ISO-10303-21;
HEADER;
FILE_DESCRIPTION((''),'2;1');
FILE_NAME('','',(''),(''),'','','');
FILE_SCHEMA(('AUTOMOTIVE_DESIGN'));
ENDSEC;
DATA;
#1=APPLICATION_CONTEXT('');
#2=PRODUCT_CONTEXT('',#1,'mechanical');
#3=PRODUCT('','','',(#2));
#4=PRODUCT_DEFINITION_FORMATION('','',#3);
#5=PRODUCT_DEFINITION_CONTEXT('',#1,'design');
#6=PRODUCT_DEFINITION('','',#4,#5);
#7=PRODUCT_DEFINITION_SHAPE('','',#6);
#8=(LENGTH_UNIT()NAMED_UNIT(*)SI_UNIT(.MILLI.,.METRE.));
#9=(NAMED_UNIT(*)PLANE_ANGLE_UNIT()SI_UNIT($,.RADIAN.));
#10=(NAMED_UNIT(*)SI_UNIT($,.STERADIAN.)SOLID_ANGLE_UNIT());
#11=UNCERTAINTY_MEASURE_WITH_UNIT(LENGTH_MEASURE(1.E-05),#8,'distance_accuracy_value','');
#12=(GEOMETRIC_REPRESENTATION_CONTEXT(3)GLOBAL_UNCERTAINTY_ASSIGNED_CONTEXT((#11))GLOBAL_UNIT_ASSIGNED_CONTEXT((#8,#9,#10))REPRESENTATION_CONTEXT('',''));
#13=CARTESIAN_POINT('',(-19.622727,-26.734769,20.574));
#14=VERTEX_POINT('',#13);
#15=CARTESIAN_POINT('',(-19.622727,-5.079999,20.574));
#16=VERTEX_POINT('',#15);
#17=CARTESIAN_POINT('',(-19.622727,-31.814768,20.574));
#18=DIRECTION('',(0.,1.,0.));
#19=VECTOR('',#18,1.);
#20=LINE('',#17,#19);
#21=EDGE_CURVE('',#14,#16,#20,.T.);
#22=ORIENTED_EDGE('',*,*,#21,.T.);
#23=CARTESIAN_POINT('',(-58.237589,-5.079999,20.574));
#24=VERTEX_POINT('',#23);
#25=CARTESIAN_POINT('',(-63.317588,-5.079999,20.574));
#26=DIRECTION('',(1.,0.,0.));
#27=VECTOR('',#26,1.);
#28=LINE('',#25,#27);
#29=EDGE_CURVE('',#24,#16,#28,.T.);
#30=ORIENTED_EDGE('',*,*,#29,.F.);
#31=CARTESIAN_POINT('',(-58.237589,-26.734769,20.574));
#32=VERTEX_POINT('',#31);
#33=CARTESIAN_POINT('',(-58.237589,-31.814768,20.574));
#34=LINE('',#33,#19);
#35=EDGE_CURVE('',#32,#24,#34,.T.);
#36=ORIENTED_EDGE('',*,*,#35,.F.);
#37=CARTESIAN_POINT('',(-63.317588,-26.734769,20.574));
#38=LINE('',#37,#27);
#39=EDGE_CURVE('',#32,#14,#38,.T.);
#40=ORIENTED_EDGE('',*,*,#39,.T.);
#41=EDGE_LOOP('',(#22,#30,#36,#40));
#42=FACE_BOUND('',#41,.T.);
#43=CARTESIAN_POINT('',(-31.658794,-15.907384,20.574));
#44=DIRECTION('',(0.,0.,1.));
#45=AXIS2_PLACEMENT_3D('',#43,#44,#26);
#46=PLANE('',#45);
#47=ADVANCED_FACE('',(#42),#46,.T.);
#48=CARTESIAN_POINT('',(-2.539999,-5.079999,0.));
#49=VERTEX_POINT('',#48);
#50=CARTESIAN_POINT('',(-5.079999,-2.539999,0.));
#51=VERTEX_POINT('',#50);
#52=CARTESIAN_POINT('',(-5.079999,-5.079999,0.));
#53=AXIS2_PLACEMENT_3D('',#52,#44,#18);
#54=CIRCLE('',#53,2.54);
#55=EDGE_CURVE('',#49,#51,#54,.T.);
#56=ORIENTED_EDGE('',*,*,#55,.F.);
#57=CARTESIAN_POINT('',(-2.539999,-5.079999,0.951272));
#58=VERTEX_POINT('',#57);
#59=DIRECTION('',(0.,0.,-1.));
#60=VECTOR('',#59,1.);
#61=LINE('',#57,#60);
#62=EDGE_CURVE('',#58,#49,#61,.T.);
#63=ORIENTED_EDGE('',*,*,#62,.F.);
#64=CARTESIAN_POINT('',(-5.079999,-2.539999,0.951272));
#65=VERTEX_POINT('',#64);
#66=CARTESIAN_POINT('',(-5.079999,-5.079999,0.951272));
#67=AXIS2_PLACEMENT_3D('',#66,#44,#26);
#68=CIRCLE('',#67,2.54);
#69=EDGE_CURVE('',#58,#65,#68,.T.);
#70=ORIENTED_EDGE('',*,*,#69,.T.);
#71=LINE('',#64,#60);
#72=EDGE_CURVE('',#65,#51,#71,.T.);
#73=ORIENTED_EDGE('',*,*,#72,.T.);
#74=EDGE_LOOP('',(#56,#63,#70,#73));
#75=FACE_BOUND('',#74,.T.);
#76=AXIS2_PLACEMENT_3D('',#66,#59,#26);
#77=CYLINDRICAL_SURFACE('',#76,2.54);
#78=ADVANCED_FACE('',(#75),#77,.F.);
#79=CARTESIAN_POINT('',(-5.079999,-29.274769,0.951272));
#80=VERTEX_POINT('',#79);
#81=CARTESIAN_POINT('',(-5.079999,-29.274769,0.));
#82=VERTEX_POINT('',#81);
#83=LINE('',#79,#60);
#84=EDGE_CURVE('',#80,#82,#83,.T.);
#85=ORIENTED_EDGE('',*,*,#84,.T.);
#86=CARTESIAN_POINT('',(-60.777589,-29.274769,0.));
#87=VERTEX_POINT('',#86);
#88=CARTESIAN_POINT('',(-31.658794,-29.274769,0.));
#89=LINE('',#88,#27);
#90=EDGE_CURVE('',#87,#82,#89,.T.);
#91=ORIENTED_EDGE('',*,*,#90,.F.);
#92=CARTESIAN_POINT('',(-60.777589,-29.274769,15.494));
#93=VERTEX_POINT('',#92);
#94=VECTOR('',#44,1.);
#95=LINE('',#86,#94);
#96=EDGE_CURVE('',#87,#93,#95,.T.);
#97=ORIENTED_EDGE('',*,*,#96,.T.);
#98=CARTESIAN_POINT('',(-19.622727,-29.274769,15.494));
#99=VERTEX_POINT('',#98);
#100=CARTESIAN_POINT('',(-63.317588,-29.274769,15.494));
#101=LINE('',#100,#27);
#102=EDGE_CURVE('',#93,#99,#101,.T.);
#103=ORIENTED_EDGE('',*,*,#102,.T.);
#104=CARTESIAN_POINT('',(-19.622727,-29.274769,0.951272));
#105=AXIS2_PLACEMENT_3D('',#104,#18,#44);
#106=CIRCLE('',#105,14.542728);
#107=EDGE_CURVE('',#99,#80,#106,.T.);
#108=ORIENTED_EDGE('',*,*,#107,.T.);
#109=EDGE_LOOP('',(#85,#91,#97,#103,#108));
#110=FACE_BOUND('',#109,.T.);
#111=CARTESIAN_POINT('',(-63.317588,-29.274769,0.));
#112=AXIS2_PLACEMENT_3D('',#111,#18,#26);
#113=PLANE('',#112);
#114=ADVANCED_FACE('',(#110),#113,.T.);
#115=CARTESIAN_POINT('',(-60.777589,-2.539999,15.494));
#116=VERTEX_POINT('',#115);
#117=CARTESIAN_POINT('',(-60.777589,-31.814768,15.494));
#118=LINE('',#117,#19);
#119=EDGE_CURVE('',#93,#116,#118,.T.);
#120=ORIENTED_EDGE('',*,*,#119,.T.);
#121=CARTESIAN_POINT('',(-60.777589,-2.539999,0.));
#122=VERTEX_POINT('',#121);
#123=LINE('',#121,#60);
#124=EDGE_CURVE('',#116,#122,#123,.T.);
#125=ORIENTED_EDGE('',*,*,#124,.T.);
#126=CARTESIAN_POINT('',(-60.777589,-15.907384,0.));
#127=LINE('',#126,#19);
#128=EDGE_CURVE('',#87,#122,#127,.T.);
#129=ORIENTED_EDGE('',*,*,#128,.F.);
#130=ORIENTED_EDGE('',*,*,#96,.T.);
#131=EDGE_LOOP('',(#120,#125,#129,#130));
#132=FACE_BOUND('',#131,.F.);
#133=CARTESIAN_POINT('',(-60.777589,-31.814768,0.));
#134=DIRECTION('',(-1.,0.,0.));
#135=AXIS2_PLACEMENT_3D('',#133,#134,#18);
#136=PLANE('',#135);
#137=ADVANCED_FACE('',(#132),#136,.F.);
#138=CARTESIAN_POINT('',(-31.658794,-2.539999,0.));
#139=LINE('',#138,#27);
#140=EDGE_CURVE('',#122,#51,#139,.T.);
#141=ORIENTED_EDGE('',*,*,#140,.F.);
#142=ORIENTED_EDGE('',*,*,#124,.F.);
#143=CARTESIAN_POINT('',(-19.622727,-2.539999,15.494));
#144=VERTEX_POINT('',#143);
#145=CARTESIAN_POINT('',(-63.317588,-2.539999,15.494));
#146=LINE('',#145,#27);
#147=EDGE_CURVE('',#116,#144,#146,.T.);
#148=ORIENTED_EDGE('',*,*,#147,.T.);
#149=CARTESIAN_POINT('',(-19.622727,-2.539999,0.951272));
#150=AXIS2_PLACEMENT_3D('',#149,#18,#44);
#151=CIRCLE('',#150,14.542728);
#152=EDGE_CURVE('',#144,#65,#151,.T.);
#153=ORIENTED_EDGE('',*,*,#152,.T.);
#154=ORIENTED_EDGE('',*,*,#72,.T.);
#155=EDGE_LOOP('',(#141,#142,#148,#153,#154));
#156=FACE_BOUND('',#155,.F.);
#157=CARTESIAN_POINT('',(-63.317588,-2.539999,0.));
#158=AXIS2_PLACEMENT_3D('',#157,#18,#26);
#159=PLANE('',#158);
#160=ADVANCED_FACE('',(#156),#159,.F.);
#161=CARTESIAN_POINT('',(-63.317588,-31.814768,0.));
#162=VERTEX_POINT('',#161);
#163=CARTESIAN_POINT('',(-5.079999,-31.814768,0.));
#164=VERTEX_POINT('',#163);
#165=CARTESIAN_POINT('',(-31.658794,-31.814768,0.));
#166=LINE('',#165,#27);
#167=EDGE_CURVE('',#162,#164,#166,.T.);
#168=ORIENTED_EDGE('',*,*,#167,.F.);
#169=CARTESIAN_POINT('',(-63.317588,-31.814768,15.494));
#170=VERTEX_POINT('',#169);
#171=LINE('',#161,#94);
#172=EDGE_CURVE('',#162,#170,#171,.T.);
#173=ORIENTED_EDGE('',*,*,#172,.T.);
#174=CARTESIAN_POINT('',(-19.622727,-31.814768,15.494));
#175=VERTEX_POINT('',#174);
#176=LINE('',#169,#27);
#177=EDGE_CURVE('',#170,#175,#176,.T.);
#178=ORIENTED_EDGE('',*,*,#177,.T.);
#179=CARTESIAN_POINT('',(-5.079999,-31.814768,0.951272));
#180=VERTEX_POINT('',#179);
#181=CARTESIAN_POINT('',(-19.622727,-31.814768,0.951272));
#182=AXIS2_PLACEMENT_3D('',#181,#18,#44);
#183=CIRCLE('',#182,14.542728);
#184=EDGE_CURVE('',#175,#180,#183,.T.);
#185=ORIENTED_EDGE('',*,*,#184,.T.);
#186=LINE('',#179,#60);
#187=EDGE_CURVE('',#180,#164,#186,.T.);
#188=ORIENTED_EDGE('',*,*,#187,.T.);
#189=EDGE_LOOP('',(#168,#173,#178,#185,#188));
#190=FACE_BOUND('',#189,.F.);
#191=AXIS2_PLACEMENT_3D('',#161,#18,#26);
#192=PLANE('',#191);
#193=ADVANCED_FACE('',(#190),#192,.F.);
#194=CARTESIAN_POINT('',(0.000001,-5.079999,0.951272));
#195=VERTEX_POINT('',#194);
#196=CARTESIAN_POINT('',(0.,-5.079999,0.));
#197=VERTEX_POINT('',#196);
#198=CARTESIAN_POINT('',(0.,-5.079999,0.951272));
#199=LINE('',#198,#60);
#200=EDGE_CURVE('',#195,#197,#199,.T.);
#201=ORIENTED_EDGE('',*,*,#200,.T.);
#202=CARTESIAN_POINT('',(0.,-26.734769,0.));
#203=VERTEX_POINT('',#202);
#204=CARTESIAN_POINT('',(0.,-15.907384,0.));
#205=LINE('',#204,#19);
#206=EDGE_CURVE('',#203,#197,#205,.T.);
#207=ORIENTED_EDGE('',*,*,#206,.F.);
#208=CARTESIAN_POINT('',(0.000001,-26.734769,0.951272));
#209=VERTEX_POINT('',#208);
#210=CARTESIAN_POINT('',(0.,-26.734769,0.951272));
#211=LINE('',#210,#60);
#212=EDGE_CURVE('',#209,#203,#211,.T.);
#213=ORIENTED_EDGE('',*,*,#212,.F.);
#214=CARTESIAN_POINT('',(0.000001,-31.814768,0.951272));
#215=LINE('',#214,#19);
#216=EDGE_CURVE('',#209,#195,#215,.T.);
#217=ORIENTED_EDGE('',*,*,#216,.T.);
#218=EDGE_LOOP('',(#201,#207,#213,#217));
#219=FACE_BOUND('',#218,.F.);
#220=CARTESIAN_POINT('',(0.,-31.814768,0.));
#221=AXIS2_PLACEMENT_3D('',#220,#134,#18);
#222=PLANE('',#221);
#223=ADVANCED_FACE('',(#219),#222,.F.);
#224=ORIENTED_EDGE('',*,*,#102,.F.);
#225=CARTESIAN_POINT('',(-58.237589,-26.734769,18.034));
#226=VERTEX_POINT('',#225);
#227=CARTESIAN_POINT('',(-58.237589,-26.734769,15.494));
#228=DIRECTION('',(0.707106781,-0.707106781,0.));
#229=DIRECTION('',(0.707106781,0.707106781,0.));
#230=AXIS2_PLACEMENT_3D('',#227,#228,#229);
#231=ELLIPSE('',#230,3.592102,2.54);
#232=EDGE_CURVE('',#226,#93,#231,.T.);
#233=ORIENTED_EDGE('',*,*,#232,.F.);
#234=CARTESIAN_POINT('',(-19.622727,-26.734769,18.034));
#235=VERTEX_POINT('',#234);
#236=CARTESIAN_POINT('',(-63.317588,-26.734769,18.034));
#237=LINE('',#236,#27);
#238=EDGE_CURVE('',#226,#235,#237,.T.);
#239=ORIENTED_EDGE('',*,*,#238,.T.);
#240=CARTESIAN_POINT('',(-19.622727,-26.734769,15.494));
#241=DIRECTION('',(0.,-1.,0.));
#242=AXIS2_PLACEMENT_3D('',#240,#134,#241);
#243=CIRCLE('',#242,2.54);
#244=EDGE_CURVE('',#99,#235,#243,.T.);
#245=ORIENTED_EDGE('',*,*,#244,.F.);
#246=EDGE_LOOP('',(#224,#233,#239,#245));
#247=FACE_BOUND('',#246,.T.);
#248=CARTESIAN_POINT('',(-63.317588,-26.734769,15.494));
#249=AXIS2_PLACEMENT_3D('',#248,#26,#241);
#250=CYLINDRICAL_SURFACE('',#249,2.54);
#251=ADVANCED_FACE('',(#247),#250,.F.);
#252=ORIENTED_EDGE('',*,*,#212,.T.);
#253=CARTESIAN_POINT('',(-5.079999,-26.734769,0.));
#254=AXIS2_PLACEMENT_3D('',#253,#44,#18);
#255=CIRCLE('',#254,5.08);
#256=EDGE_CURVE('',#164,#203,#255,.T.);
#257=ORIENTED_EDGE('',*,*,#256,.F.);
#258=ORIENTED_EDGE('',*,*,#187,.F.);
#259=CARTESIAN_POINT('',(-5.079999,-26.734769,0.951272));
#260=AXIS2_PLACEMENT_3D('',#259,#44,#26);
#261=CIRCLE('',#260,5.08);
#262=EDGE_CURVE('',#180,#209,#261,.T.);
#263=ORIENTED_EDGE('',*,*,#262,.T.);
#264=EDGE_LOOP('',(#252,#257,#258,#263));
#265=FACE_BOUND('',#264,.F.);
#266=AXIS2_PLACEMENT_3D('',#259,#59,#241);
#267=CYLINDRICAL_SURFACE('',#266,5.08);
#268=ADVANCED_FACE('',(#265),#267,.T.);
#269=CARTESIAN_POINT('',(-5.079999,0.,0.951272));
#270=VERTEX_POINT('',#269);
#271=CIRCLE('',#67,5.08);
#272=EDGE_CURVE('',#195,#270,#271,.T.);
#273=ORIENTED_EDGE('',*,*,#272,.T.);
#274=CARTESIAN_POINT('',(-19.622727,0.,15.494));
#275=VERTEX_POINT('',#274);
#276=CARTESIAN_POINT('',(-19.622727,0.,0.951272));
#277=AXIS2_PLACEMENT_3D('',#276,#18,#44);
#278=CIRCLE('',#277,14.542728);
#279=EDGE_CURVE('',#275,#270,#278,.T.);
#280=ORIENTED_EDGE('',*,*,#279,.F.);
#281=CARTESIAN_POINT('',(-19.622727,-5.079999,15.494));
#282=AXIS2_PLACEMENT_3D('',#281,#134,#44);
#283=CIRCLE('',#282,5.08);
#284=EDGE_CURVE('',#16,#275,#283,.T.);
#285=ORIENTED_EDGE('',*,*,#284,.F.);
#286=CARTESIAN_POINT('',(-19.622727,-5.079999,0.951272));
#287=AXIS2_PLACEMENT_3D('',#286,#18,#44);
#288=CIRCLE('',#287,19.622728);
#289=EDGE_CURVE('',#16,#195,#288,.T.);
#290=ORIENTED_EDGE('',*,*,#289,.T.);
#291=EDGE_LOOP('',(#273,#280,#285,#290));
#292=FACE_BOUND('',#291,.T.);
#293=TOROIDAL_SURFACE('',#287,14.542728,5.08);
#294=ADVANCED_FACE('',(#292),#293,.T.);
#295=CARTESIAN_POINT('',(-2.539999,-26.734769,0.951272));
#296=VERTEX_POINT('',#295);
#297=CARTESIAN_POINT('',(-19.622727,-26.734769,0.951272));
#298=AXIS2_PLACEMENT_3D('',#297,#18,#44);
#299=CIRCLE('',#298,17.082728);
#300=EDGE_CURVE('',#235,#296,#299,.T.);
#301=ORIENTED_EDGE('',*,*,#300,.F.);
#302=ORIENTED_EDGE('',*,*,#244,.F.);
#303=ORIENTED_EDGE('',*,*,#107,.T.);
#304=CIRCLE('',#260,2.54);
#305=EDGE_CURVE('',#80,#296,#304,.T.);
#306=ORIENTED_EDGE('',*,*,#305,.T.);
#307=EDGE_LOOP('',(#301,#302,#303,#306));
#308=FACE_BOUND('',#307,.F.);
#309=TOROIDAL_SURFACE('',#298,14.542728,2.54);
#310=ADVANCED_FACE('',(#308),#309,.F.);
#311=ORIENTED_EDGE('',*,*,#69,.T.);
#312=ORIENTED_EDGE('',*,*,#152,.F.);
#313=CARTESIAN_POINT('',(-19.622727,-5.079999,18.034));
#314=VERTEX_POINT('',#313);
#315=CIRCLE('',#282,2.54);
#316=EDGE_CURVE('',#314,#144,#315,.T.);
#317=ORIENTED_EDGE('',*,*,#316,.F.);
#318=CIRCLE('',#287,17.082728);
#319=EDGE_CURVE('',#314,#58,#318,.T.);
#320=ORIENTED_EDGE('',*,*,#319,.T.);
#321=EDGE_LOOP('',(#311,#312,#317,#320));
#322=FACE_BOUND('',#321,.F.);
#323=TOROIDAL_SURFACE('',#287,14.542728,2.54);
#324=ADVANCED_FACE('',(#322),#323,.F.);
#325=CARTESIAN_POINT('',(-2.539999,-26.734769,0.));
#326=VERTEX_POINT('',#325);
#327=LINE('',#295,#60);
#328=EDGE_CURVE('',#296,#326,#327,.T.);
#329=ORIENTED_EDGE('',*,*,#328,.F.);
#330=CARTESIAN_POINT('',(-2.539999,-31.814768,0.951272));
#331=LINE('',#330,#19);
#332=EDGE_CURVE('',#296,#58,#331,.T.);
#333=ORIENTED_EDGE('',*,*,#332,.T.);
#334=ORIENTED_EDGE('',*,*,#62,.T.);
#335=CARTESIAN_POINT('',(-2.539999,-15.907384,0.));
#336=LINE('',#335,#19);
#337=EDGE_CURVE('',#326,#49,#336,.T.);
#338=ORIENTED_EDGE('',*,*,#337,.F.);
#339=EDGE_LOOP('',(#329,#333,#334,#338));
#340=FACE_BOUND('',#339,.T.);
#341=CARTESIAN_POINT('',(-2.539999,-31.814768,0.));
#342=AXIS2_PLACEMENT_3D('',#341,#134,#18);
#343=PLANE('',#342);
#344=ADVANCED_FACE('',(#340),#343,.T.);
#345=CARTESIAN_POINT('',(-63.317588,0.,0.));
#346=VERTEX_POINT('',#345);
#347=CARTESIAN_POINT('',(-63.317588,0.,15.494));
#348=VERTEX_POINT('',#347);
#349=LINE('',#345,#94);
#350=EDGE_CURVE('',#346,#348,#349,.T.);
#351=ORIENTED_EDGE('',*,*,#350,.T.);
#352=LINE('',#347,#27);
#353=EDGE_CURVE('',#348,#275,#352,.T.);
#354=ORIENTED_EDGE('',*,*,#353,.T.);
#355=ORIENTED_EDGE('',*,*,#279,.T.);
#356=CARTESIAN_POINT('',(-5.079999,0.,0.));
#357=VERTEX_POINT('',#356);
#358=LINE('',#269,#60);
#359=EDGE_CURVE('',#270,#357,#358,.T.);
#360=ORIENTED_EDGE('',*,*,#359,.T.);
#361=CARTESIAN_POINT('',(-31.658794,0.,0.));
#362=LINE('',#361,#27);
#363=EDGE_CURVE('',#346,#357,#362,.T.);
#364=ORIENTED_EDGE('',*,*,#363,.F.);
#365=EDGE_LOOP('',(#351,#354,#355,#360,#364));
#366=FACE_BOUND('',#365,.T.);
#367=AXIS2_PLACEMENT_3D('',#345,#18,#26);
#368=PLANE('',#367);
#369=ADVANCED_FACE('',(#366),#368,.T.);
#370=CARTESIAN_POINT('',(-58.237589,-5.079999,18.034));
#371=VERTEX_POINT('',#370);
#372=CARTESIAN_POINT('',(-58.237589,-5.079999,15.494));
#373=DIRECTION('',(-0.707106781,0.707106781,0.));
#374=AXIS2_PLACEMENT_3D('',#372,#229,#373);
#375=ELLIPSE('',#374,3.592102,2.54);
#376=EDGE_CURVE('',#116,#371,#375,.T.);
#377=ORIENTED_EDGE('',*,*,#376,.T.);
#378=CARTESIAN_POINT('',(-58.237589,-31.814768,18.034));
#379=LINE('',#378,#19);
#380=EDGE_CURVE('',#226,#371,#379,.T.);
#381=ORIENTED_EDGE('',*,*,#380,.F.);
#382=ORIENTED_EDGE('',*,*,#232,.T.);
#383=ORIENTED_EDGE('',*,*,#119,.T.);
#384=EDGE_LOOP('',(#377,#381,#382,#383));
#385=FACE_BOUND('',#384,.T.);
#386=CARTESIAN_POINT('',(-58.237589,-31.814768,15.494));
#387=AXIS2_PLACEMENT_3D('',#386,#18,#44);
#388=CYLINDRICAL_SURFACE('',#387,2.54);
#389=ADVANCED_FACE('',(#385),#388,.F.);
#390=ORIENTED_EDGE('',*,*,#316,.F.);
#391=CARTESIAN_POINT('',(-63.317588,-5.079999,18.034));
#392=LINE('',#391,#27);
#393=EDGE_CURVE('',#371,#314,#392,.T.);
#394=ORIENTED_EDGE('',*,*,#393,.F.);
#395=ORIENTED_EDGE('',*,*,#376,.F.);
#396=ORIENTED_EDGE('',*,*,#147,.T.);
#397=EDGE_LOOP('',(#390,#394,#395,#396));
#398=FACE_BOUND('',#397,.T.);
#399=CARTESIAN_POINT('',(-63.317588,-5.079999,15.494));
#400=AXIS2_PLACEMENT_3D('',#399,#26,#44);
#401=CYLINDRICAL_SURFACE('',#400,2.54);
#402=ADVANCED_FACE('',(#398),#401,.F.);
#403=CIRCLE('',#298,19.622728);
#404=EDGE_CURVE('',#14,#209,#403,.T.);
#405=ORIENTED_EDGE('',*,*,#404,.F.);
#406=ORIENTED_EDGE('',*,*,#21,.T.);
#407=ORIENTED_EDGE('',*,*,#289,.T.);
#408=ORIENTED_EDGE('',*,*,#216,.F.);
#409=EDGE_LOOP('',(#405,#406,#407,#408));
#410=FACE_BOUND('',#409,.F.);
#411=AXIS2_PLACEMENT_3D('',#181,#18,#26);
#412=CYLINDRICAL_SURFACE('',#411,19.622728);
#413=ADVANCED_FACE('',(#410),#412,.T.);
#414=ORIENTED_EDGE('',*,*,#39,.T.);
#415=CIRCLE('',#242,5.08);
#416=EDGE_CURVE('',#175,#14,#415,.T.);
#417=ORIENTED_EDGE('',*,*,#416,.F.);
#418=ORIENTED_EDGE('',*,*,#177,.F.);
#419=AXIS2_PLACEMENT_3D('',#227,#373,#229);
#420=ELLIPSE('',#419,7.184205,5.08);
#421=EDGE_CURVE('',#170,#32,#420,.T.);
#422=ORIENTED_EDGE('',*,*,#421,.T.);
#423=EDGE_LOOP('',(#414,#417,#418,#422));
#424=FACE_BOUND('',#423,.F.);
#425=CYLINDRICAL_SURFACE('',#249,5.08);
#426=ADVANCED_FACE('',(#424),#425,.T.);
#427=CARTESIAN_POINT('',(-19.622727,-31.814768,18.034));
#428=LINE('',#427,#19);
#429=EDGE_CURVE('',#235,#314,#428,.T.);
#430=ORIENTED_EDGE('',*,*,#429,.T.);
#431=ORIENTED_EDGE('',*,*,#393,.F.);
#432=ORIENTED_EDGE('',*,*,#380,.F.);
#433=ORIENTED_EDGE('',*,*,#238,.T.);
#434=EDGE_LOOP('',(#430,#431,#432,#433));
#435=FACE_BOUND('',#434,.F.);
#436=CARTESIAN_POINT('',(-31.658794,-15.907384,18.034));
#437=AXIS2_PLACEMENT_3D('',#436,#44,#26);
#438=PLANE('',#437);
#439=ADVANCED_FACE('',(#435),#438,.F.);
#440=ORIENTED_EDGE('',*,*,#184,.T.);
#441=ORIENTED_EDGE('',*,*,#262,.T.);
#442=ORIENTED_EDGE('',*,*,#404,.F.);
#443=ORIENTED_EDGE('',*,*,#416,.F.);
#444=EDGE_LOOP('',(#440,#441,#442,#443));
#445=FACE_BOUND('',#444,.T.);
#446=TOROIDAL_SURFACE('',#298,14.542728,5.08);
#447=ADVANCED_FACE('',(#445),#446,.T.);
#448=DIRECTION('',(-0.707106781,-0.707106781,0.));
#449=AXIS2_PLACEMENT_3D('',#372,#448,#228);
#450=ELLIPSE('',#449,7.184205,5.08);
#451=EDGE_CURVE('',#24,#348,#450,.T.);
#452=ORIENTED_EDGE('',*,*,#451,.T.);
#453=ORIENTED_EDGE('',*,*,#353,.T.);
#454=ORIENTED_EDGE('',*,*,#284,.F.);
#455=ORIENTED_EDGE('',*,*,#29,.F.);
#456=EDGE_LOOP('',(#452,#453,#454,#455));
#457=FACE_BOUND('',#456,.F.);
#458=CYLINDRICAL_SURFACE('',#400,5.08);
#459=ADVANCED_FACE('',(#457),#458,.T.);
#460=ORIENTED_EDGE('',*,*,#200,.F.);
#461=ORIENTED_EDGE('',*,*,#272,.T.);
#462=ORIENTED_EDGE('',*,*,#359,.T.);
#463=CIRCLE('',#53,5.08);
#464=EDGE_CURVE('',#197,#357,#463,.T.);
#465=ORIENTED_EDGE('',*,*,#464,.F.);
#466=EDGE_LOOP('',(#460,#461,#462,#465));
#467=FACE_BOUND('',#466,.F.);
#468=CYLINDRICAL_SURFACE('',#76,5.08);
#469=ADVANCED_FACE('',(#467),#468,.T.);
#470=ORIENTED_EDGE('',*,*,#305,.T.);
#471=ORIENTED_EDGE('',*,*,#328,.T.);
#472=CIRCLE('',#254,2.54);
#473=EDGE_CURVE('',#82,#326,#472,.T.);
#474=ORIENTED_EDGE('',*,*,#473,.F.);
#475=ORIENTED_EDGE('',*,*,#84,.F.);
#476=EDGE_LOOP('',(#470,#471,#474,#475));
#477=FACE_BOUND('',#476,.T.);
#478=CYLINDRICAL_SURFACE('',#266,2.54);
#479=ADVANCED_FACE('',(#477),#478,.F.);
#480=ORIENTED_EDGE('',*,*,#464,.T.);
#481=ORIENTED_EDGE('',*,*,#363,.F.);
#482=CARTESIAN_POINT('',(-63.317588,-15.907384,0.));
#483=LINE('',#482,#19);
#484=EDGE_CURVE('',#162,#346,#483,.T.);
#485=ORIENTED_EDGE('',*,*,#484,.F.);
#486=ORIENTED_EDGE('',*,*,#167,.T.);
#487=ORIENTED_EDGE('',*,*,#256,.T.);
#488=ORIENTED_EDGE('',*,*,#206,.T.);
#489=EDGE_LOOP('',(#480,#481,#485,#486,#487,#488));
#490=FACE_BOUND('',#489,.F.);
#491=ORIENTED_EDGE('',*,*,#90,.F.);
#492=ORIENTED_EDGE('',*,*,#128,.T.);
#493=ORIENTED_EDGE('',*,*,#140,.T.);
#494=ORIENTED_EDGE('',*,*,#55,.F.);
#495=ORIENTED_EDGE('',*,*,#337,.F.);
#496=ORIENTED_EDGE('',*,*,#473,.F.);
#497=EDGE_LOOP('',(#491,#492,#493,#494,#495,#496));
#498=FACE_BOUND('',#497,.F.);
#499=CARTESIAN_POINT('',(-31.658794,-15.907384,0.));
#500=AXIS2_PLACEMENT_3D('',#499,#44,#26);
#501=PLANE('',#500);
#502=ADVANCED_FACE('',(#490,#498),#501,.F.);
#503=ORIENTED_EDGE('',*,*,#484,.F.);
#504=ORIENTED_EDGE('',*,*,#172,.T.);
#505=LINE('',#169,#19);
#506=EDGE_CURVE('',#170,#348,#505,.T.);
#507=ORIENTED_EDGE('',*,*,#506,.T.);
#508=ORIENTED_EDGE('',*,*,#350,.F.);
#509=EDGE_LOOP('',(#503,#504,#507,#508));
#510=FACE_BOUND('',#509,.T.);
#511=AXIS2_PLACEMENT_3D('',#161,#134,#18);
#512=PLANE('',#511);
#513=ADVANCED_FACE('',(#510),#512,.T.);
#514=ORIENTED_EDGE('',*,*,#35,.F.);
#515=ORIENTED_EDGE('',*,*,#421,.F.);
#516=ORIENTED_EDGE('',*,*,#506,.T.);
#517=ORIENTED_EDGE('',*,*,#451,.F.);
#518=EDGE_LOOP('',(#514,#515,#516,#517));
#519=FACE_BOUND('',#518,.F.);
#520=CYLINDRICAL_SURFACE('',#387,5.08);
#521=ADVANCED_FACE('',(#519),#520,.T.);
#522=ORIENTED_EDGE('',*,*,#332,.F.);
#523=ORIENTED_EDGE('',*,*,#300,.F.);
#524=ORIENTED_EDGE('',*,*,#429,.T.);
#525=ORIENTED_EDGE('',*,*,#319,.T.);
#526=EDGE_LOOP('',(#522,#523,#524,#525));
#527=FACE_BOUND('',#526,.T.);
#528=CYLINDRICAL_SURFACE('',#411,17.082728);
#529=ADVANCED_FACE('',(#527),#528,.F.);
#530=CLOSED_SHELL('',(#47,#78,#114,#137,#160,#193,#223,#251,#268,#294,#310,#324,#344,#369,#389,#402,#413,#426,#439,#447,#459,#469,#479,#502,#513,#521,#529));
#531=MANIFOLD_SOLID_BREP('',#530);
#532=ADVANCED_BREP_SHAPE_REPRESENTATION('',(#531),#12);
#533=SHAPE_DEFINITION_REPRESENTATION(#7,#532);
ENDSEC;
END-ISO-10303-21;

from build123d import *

# Parameters (mm, degrees)
F0_W     = 63.317589
F0_H     = 31.814769
F1_DEPTH = 20.574
F2_R     = 19.622728
F3_R     = 5.08
F4_T     = -2.54


with BuildPart() as f1:
    # F0 (on Top) → F1 (new body)
    with BuildSketch(Plane.XY):
        with Locations((-31.658794, -15.907384)):
            Rectangle(F0_W, F0_H)
    extrude(amount=F1_DEPTH)

    # F2
    f2_edges = [f1.edges().sort_by_distance(p)[0] for p in [
        (0, -15.907384, 20.574),
    ]]
    fillet(f2_edges, radius=F2_R)

    # F3
    f3_edges = [f1.edges().sort_by_distance(p)[0] for p in [
        (-41.470159, -31.814769, 20.574),
        (-41.470159, 0, 20.574),
        (-63.317589, -15.907384, 20.574),
    ]]
    fillet(f3_edges, radius=F3_R)

    # F4
    f4_openings = [f1.faces().sort_by_distance(p)[0] for p in [
        (-31.827557, -15.907384, 0),
    ]]
    offset(amount=F4_T, openings=f4_openings)


solid = f1.part
